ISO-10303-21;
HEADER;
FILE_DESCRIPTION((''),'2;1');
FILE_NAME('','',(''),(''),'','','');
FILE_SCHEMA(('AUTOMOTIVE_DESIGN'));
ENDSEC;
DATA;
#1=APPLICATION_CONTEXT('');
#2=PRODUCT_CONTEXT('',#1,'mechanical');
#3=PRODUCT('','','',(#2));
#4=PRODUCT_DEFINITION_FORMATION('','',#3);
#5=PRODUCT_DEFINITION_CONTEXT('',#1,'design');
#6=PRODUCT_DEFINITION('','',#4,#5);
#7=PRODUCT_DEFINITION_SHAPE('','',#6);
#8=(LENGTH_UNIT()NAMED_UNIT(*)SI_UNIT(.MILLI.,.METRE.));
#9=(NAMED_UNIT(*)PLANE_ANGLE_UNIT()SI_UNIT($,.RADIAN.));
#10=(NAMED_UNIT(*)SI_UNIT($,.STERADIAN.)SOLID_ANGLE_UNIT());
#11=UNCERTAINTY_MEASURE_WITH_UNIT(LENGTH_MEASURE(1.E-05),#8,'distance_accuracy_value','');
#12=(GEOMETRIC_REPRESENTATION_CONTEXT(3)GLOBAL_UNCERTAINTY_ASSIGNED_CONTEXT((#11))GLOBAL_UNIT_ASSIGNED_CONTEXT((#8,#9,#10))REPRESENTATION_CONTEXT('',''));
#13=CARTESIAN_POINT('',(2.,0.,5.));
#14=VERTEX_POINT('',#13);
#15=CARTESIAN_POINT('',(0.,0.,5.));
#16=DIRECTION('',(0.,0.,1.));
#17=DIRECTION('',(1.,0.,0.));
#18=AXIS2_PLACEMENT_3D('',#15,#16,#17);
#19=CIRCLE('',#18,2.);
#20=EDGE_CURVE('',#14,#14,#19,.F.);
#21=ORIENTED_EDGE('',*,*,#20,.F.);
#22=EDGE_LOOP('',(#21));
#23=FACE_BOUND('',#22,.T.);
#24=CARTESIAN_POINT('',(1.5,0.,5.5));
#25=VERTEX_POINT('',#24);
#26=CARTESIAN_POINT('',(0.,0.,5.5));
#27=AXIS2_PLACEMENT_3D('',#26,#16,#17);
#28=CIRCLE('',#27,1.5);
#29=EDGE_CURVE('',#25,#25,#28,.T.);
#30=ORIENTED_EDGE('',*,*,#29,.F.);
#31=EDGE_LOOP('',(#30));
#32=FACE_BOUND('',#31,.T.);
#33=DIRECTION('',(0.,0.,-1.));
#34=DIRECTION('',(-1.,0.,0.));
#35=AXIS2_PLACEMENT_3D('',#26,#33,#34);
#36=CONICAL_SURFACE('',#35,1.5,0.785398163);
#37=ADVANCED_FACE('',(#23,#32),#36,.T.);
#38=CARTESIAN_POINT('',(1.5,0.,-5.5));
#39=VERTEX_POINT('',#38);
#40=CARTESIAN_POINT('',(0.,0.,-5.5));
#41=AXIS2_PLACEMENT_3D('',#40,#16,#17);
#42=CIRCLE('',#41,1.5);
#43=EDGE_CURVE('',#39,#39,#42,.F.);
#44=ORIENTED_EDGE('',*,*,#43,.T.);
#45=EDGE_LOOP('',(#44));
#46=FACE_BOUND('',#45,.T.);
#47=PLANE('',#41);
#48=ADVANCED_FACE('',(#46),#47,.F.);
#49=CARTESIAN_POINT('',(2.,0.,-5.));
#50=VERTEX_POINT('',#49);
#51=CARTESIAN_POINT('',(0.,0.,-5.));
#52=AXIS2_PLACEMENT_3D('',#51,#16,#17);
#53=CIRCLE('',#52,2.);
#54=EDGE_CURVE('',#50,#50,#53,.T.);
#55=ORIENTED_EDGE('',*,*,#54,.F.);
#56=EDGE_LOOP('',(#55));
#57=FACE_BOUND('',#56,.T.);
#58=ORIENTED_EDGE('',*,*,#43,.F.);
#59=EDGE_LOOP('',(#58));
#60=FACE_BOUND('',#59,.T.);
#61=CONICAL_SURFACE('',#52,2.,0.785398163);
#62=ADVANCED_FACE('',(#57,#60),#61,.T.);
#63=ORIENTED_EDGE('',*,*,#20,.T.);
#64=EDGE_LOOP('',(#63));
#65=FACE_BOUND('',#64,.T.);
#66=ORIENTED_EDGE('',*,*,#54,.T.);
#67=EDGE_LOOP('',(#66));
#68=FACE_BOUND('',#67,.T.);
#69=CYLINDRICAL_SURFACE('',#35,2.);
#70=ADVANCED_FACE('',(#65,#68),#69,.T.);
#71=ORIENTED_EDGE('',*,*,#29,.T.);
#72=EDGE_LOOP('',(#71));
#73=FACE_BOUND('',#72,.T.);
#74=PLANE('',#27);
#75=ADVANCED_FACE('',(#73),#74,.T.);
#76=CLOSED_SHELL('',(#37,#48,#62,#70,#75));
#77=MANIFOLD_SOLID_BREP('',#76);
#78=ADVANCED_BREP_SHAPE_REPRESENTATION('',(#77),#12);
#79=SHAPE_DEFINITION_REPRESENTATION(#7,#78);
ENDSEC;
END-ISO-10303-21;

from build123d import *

# Parameters (mm, degrees)
ESQUISSE1_R        = 2
BOSS_EXTRU_1_DEPTH = 5.5
CHANFREIN1_SIZE    = 0.5


with BuildPart() as part:
    # Esquisse1 → Boss.-Extru.1 (new, symmetric)
    with BuildSketch(Plane.XY):
        Circle(ESQUISSE1_R)
    extrude(amount=BOSS_EXTRU_1_DEPTH, both=True)

    # Chanfrein1
    chanfrein1_edges = [part.edges().sort_by_distance(p)[0] for p in [
        (-2, 0, -5.5),
        (-2, 0, 5.5),
    ]]
    chamfer(chanfrein1_edges, length=CHANFREIN1_SIZE)


solid = part.part
